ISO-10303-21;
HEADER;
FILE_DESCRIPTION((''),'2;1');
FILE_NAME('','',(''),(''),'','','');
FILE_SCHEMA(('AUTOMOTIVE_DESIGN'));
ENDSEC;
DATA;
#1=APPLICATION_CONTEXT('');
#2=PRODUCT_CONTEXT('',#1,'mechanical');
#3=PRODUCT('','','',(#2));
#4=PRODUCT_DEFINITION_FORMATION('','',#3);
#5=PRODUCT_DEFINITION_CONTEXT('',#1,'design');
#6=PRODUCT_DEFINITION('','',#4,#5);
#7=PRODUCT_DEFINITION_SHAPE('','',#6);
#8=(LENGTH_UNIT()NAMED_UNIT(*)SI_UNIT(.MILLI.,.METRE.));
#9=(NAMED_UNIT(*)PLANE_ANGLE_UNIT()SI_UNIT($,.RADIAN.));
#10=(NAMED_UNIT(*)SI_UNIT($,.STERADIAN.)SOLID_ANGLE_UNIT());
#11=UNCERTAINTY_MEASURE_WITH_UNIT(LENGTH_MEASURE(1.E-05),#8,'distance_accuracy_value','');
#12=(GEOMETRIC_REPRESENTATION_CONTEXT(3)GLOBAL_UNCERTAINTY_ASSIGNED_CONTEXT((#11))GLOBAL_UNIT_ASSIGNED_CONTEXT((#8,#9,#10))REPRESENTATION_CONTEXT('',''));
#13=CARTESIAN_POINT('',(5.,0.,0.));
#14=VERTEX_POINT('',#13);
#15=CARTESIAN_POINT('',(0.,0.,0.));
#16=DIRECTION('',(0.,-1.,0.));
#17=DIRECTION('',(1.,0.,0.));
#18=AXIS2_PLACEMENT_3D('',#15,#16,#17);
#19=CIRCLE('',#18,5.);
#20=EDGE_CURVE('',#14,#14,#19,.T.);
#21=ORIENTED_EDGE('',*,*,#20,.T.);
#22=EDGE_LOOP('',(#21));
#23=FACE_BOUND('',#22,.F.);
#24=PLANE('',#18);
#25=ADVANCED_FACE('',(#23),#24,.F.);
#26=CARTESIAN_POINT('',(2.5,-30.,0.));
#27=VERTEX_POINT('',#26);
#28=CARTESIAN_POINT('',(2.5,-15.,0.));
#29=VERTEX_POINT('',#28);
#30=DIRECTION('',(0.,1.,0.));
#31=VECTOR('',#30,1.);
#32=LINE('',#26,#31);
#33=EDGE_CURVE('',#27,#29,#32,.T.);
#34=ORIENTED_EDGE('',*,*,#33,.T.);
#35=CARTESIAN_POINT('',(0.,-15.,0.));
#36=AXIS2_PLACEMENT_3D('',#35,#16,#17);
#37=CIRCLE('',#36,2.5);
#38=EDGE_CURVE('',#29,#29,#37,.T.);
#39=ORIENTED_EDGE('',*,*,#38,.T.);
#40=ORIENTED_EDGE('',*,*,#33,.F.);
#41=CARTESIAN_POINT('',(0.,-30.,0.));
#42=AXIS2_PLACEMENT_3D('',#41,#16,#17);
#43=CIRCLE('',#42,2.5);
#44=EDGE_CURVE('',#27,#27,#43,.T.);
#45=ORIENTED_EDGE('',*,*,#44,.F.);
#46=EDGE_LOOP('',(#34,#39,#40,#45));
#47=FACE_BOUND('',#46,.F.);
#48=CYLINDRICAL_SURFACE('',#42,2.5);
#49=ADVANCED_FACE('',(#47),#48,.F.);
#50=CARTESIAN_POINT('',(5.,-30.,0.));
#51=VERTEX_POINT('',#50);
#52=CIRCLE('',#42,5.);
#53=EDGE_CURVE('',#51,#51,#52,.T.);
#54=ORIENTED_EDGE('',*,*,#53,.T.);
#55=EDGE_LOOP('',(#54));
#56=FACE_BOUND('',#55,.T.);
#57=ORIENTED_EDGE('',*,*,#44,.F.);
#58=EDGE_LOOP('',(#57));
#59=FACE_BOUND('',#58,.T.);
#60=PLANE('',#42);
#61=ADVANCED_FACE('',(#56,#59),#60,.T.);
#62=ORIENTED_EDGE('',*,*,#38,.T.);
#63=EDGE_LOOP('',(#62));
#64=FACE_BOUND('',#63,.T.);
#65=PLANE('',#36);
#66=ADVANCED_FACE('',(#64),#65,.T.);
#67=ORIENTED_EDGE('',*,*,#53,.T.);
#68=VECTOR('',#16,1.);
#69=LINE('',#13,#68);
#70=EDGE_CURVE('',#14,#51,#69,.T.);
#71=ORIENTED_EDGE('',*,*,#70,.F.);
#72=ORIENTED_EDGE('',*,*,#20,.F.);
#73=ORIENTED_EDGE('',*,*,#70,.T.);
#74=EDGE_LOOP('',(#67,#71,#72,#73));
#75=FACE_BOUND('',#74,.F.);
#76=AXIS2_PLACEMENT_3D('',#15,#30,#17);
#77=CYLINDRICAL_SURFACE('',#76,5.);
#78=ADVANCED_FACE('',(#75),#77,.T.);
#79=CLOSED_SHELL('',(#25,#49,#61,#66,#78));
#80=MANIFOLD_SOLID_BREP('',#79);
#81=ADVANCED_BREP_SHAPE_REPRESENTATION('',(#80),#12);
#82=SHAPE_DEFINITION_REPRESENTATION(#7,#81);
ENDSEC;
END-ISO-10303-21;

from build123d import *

# Parameters (mm, degrees)
F0_R     = 5
F0_R_2   = 2.5
F1_DEPTH = 30
F2_R     = 2.5
F3_DEPTH = 15


with BuildPart() as f1:
    # F0 (on Front) → F1 (new body)
    with BuildSketch(Plane.XZ):
        Circle(F0_R)
        Circle(F0_R_2, mode=Mode.SUBTRACT)
        Circle(F0_R_2)
    extrude(amount=F1_DEPTH)

    # F2 (on face) → F3 (cut)
    with BuildSketch(Plane.XZ.offset(30)):
        Circle(F2_R)
    extrude(amount=-F3_DEPTH, mode=Mode.SUBTRACT)


solid = f1.part
